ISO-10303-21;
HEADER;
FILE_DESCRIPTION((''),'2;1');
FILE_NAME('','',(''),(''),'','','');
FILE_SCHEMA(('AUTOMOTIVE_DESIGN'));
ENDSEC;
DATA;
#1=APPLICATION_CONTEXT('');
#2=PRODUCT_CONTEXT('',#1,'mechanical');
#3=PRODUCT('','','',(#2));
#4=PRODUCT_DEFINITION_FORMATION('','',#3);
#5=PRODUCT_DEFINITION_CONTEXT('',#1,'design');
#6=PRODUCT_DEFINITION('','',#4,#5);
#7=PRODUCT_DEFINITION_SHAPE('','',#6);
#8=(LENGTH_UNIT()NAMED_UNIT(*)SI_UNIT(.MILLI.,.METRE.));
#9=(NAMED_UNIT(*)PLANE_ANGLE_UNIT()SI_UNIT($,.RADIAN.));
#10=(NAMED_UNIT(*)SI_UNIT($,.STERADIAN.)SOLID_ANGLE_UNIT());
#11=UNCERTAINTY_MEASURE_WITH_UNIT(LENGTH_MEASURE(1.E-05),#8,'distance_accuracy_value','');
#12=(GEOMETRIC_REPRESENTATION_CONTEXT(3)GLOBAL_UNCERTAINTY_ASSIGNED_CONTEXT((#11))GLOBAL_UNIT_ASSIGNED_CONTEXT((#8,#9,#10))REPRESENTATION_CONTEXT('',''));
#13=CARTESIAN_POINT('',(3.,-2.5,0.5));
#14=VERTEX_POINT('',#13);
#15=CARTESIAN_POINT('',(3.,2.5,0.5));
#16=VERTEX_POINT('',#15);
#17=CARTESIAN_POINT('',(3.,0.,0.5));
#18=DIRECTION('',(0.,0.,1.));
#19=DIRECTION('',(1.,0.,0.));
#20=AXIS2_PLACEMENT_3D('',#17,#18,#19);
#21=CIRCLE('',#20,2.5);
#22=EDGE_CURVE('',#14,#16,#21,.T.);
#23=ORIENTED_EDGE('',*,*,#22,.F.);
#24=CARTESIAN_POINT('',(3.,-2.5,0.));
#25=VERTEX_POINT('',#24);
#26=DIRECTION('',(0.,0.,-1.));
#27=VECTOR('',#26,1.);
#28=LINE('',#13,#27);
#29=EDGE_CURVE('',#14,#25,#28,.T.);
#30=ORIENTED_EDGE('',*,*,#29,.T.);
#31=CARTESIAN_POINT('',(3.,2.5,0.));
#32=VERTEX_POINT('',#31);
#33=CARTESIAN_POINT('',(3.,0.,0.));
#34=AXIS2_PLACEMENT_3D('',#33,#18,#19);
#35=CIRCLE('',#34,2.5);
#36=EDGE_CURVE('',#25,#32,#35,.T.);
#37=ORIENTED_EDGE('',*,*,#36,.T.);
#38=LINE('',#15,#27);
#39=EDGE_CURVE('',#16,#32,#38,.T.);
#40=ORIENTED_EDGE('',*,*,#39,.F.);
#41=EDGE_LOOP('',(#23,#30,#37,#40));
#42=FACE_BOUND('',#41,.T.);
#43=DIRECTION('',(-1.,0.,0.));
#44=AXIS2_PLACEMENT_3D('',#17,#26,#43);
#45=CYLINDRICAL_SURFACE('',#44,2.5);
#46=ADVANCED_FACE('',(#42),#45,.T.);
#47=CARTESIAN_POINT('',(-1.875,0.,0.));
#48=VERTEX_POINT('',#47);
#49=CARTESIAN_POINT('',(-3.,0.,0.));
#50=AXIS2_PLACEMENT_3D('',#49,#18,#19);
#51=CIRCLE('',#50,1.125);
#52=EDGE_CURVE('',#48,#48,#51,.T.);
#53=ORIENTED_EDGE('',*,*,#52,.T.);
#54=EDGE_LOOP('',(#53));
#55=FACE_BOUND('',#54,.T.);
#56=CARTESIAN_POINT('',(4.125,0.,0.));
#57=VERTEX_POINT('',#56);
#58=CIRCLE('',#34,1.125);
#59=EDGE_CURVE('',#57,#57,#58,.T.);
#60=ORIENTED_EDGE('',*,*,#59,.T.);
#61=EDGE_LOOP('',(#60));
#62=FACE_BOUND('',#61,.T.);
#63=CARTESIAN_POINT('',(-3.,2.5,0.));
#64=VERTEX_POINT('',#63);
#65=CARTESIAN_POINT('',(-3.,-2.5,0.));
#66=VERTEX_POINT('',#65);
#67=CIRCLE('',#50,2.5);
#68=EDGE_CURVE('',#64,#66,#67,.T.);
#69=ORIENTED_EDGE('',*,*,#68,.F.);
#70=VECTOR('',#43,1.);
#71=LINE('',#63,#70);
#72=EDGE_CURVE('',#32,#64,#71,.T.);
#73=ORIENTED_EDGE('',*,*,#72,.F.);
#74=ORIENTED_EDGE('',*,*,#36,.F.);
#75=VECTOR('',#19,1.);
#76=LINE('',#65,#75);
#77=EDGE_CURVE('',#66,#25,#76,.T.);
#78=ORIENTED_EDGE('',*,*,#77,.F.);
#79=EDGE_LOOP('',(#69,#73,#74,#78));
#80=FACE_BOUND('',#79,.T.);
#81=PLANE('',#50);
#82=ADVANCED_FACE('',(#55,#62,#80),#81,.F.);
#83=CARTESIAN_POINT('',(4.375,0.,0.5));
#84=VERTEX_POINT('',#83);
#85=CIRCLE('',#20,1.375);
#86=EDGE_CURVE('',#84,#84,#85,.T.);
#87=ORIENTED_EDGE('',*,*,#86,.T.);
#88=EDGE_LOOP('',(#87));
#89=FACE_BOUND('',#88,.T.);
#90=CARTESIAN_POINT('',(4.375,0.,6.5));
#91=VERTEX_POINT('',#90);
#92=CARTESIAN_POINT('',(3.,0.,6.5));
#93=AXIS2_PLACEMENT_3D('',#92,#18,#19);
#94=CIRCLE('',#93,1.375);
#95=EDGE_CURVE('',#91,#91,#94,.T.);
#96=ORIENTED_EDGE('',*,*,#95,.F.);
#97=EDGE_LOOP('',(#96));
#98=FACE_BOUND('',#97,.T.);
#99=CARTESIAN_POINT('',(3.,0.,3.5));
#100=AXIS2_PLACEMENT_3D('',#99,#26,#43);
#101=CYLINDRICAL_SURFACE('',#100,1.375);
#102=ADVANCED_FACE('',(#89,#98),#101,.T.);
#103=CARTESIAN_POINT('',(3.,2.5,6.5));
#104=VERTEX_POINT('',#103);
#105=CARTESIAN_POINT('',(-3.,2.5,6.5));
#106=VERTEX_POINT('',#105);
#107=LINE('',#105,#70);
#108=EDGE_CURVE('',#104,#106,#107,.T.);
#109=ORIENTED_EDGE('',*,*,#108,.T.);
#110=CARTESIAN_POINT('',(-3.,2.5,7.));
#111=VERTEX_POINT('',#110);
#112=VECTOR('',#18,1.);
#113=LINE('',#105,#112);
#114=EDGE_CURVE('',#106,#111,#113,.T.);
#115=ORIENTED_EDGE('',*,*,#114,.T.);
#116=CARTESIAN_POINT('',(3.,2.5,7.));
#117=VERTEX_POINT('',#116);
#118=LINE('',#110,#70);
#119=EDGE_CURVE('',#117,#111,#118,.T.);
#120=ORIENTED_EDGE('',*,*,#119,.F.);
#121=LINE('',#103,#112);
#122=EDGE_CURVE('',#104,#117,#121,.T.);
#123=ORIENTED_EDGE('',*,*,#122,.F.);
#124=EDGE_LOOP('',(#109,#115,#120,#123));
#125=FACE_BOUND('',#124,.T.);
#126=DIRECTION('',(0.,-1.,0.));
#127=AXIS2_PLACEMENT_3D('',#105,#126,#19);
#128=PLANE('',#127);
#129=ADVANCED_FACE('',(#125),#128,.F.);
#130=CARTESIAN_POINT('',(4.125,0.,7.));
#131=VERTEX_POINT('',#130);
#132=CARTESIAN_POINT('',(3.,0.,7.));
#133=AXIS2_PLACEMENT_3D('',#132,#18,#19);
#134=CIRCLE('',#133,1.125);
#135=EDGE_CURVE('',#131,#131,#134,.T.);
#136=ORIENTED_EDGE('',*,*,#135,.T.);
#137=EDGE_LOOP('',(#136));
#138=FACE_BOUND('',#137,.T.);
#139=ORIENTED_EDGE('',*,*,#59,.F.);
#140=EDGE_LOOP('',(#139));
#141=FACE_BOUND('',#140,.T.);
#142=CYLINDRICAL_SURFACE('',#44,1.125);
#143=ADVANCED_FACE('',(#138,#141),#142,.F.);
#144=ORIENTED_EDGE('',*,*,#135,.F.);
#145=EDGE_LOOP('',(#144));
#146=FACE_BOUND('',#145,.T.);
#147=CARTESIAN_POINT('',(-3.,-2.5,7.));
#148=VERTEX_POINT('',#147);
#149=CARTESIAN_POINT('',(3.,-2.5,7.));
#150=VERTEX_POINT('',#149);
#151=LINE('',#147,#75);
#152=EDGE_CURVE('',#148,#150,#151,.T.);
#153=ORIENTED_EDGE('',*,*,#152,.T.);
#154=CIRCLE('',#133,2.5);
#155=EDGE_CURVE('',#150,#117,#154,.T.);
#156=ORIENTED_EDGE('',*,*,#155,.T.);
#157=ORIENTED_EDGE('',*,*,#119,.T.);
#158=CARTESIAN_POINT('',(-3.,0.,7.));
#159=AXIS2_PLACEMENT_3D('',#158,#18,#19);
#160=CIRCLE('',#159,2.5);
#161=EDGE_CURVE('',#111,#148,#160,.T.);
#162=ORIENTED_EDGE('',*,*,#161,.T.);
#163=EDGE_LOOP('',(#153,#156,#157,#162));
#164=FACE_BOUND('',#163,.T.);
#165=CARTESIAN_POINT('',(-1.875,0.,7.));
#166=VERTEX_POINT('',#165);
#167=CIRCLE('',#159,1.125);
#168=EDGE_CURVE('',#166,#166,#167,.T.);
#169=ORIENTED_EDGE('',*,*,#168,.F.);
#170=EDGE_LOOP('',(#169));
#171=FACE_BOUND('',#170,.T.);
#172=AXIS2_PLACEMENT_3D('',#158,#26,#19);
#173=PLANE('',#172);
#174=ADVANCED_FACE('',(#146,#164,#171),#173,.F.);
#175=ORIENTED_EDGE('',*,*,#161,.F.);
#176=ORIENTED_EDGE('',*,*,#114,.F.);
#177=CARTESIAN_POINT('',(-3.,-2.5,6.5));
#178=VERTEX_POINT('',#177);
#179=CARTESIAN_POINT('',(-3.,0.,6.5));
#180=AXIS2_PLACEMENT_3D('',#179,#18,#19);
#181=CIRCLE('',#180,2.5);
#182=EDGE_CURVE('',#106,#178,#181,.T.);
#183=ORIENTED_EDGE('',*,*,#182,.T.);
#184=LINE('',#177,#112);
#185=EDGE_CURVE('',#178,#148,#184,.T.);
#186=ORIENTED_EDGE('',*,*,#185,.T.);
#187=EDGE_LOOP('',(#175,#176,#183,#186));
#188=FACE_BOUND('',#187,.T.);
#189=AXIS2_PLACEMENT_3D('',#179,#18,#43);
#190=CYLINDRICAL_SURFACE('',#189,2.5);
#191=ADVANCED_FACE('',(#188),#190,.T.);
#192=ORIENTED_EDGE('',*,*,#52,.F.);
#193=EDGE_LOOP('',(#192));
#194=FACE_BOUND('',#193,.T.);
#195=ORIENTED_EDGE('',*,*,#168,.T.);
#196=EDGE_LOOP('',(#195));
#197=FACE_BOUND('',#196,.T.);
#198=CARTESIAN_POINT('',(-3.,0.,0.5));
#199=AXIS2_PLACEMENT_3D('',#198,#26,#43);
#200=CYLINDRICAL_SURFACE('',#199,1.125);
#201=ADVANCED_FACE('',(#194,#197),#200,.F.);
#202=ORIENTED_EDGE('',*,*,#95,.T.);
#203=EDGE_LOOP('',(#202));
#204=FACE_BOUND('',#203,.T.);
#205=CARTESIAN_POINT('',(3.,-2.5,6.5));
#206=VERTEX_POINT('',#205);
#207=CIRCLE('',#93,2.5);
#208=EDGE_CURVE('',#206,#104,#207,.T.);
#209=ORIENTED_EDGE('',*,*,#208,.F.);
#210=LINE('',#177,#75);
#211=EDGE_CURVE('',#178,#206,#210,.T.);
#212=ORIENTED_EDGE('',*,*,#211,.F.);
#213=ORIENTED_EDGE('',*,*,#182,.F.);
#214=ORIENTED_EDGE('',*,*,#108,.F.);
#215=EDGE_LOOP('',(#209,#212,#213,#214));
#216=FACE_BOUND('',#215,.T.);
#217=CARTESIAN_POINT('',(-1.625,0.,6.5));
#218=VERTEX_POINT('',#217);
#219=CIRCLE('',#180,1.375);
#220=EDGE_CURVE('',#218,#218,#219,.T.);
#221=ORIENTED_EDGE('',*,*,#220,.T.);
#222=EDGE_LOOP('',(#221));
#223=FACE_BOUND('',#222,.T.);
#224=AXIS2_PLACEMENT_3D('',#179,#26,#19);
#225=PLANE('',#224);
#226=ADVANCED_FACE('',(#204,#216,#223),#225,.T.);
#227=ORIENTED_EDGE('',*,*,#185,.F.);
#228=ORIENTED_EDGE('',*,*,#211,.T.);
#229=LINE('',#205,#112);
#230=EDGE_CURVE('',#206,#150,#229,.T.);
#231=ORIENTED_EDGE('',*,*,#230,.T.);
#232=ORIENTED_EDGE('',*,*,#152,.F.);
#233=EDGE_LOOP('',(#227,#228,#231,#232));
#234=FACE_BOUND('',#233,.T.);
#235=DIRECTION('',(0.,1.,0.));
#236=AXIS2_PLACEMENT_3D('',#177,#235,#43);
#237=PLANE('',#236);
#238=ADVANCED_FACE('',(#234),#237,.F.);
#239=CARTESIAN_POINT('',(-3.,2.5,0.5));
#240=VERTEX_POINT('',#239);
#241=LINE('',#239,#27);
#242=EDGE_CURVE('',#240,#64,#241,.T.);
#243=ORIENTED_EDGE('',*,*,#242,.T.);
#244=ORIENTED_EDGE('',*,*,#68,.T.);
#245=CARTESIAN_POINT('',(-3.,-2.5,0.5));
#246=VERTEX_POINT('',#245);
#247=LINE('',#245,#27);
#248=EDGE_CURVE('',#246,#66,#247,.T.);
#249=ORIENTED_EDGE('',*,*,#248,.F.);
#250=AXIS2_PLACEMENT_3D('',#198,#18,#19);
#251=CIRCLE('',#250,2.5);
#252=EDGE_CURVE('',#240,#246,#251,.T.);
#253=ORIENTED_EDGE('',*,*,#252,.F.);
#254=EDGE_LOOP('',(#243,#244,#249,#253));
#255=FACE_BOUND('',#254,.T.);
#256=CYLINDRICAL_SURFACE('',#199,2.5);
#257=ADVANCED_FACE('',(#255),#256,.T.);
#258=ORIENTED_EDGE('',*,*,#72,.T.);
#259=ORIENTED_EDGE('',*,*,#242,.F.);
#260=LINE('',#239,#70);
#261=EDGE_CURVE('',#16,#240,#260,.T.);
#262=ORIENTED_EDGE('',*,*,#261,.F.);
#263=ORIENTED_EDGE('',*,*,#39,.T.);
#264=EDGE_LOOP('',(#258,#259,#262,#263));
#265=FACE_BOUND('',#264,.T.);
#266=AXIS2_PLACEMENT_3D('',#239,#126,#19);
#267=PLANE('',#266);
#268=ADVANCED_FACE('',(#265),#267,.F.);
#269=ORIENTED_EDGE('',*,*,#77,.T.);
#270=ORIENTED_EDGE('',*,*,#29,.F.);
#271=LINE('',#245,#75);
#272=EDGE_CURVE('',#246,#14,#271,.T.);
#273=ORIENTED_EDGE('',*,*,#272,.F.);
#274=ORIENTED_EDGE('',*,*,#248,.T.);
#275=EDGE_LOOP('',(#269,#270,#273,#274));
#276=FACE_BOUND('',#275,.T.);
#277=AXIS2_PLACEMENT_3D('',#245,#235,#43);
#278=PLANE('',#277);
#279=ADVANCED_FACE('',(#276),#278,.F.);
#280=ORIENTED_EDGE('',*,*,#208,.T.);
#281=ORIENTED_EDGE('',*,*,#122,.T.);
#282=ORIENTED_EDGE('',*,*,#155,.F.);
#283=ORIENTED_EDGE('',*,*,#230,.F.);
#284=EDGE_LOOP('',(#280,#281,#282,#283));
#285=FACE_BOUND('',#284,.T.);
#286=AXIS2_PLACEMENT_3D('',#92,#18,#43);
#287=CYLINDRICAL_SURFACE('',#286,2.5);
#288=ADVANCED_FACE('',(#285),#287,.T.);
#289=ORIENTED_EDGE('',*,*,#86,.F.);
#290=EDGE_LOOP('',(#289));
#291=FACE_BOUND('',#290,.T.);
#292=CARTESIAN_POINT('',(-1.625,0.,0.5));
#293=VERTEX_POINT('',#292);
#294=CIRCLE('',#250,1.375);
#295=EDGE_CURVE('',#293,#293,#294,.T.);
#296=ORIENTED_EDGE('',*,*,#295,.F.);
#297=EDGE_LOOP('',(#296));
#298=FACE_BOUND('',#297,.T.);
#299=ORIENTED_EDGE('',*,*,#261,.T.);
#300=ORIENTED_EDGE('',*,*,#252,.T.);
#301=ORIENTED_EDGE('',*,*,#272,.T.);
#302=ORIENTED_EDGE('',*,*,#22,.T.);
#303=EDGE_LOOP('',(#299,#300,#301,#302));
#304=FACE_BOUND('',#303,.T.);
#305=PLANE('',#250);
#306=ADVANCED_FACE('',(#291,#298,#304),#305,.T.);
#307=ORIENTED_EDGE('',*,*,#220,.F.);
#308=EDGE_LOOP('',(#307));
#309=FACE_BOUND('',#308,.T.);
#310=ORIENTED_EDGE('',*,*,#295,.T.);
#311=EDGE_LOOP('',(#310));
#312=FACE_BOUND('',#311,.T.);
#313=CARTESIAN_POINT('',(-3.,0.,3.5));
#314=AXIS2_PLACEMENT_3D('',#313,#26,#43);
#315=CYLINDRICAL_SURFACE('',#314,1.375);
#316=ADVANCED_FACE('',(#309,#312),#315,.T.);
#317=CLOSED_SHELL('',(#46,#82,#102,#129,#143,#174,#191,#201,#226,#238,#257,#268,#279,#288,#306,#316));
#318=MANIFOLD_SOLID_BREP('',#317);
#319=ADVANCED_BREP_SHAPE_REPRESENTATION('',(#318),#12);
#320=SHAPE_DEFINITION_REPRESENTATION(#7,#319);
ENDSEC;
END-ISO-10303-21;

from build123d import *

# Parameters (mm, degrees)
SKETCH1_R           = 1.125
BOSS_EXTRUDE1_DEPTH = 0.5
SKETCH2_R           = 1.375
SKETCH2_R_2         = 1.125
EXTRUDE_THIN1_DEPTH = 3


with BuildPart() as part:
    # Sketch1 → Boss-Extrude1 (new body)
    with BuildSketch(Plane.XY):
        with BuildLine():
            Line((-3, 2.5), (3, 2.5))
            ThreePointArc((3, 2.5), (5.5, 0), (3, -2.5))
            Line((3, -2.5), (-3, -2.5))
            ThreePointArc((-3, -2.5), (-5.5, 0), (-3, 2.5))
        make_face()
        with Locations((-3, 0)):
            Circle(SKETCH1_R, mode=Mode.SUBTRACT)
        with Locations((3, 0)):
            Circle(SKETCH1_R, mode=Mode.SUBTRACT)
    boss_extrude1 = extrude(amount=BOSS_EXTRUDE1_DEPTH)

    # Sketch2 → Extrude-Thin1 (add)
    # profile 1 of 2: a face of its own
    with BuildSketch(Plane.XY.offset(0.5)):
        with Locations((-3, 0)):
            Circle(SKETCH2_R)
        with Locations((-3, 0)):
            Circle(SKETCH2_R_2, mode=Mode.SUBTRACT)
    # profile 2 of 2: a face of its own
    with BuildSketch(Plane.XY.offset(0.5)):
        with Locations((3, 0)):
            Circle(SKETCH2_R)
        with Locations((3, 0)):
            Circle(SKETCH2_R_2, mode=Mode.SUBTRACT)
    extrude_thin1 = extrude(amount=EXTRUDE_THIN1_DEPTH)

    # Mirror1: Boss-Extrude1, Extrude-Thin1 across plane
    add(boss_extrude1.mirror(Plane.XY.offset(3.5)))
    add(extrude_thin1.mirror(Plane.XY.offset(3.5)))


solid = part.part
